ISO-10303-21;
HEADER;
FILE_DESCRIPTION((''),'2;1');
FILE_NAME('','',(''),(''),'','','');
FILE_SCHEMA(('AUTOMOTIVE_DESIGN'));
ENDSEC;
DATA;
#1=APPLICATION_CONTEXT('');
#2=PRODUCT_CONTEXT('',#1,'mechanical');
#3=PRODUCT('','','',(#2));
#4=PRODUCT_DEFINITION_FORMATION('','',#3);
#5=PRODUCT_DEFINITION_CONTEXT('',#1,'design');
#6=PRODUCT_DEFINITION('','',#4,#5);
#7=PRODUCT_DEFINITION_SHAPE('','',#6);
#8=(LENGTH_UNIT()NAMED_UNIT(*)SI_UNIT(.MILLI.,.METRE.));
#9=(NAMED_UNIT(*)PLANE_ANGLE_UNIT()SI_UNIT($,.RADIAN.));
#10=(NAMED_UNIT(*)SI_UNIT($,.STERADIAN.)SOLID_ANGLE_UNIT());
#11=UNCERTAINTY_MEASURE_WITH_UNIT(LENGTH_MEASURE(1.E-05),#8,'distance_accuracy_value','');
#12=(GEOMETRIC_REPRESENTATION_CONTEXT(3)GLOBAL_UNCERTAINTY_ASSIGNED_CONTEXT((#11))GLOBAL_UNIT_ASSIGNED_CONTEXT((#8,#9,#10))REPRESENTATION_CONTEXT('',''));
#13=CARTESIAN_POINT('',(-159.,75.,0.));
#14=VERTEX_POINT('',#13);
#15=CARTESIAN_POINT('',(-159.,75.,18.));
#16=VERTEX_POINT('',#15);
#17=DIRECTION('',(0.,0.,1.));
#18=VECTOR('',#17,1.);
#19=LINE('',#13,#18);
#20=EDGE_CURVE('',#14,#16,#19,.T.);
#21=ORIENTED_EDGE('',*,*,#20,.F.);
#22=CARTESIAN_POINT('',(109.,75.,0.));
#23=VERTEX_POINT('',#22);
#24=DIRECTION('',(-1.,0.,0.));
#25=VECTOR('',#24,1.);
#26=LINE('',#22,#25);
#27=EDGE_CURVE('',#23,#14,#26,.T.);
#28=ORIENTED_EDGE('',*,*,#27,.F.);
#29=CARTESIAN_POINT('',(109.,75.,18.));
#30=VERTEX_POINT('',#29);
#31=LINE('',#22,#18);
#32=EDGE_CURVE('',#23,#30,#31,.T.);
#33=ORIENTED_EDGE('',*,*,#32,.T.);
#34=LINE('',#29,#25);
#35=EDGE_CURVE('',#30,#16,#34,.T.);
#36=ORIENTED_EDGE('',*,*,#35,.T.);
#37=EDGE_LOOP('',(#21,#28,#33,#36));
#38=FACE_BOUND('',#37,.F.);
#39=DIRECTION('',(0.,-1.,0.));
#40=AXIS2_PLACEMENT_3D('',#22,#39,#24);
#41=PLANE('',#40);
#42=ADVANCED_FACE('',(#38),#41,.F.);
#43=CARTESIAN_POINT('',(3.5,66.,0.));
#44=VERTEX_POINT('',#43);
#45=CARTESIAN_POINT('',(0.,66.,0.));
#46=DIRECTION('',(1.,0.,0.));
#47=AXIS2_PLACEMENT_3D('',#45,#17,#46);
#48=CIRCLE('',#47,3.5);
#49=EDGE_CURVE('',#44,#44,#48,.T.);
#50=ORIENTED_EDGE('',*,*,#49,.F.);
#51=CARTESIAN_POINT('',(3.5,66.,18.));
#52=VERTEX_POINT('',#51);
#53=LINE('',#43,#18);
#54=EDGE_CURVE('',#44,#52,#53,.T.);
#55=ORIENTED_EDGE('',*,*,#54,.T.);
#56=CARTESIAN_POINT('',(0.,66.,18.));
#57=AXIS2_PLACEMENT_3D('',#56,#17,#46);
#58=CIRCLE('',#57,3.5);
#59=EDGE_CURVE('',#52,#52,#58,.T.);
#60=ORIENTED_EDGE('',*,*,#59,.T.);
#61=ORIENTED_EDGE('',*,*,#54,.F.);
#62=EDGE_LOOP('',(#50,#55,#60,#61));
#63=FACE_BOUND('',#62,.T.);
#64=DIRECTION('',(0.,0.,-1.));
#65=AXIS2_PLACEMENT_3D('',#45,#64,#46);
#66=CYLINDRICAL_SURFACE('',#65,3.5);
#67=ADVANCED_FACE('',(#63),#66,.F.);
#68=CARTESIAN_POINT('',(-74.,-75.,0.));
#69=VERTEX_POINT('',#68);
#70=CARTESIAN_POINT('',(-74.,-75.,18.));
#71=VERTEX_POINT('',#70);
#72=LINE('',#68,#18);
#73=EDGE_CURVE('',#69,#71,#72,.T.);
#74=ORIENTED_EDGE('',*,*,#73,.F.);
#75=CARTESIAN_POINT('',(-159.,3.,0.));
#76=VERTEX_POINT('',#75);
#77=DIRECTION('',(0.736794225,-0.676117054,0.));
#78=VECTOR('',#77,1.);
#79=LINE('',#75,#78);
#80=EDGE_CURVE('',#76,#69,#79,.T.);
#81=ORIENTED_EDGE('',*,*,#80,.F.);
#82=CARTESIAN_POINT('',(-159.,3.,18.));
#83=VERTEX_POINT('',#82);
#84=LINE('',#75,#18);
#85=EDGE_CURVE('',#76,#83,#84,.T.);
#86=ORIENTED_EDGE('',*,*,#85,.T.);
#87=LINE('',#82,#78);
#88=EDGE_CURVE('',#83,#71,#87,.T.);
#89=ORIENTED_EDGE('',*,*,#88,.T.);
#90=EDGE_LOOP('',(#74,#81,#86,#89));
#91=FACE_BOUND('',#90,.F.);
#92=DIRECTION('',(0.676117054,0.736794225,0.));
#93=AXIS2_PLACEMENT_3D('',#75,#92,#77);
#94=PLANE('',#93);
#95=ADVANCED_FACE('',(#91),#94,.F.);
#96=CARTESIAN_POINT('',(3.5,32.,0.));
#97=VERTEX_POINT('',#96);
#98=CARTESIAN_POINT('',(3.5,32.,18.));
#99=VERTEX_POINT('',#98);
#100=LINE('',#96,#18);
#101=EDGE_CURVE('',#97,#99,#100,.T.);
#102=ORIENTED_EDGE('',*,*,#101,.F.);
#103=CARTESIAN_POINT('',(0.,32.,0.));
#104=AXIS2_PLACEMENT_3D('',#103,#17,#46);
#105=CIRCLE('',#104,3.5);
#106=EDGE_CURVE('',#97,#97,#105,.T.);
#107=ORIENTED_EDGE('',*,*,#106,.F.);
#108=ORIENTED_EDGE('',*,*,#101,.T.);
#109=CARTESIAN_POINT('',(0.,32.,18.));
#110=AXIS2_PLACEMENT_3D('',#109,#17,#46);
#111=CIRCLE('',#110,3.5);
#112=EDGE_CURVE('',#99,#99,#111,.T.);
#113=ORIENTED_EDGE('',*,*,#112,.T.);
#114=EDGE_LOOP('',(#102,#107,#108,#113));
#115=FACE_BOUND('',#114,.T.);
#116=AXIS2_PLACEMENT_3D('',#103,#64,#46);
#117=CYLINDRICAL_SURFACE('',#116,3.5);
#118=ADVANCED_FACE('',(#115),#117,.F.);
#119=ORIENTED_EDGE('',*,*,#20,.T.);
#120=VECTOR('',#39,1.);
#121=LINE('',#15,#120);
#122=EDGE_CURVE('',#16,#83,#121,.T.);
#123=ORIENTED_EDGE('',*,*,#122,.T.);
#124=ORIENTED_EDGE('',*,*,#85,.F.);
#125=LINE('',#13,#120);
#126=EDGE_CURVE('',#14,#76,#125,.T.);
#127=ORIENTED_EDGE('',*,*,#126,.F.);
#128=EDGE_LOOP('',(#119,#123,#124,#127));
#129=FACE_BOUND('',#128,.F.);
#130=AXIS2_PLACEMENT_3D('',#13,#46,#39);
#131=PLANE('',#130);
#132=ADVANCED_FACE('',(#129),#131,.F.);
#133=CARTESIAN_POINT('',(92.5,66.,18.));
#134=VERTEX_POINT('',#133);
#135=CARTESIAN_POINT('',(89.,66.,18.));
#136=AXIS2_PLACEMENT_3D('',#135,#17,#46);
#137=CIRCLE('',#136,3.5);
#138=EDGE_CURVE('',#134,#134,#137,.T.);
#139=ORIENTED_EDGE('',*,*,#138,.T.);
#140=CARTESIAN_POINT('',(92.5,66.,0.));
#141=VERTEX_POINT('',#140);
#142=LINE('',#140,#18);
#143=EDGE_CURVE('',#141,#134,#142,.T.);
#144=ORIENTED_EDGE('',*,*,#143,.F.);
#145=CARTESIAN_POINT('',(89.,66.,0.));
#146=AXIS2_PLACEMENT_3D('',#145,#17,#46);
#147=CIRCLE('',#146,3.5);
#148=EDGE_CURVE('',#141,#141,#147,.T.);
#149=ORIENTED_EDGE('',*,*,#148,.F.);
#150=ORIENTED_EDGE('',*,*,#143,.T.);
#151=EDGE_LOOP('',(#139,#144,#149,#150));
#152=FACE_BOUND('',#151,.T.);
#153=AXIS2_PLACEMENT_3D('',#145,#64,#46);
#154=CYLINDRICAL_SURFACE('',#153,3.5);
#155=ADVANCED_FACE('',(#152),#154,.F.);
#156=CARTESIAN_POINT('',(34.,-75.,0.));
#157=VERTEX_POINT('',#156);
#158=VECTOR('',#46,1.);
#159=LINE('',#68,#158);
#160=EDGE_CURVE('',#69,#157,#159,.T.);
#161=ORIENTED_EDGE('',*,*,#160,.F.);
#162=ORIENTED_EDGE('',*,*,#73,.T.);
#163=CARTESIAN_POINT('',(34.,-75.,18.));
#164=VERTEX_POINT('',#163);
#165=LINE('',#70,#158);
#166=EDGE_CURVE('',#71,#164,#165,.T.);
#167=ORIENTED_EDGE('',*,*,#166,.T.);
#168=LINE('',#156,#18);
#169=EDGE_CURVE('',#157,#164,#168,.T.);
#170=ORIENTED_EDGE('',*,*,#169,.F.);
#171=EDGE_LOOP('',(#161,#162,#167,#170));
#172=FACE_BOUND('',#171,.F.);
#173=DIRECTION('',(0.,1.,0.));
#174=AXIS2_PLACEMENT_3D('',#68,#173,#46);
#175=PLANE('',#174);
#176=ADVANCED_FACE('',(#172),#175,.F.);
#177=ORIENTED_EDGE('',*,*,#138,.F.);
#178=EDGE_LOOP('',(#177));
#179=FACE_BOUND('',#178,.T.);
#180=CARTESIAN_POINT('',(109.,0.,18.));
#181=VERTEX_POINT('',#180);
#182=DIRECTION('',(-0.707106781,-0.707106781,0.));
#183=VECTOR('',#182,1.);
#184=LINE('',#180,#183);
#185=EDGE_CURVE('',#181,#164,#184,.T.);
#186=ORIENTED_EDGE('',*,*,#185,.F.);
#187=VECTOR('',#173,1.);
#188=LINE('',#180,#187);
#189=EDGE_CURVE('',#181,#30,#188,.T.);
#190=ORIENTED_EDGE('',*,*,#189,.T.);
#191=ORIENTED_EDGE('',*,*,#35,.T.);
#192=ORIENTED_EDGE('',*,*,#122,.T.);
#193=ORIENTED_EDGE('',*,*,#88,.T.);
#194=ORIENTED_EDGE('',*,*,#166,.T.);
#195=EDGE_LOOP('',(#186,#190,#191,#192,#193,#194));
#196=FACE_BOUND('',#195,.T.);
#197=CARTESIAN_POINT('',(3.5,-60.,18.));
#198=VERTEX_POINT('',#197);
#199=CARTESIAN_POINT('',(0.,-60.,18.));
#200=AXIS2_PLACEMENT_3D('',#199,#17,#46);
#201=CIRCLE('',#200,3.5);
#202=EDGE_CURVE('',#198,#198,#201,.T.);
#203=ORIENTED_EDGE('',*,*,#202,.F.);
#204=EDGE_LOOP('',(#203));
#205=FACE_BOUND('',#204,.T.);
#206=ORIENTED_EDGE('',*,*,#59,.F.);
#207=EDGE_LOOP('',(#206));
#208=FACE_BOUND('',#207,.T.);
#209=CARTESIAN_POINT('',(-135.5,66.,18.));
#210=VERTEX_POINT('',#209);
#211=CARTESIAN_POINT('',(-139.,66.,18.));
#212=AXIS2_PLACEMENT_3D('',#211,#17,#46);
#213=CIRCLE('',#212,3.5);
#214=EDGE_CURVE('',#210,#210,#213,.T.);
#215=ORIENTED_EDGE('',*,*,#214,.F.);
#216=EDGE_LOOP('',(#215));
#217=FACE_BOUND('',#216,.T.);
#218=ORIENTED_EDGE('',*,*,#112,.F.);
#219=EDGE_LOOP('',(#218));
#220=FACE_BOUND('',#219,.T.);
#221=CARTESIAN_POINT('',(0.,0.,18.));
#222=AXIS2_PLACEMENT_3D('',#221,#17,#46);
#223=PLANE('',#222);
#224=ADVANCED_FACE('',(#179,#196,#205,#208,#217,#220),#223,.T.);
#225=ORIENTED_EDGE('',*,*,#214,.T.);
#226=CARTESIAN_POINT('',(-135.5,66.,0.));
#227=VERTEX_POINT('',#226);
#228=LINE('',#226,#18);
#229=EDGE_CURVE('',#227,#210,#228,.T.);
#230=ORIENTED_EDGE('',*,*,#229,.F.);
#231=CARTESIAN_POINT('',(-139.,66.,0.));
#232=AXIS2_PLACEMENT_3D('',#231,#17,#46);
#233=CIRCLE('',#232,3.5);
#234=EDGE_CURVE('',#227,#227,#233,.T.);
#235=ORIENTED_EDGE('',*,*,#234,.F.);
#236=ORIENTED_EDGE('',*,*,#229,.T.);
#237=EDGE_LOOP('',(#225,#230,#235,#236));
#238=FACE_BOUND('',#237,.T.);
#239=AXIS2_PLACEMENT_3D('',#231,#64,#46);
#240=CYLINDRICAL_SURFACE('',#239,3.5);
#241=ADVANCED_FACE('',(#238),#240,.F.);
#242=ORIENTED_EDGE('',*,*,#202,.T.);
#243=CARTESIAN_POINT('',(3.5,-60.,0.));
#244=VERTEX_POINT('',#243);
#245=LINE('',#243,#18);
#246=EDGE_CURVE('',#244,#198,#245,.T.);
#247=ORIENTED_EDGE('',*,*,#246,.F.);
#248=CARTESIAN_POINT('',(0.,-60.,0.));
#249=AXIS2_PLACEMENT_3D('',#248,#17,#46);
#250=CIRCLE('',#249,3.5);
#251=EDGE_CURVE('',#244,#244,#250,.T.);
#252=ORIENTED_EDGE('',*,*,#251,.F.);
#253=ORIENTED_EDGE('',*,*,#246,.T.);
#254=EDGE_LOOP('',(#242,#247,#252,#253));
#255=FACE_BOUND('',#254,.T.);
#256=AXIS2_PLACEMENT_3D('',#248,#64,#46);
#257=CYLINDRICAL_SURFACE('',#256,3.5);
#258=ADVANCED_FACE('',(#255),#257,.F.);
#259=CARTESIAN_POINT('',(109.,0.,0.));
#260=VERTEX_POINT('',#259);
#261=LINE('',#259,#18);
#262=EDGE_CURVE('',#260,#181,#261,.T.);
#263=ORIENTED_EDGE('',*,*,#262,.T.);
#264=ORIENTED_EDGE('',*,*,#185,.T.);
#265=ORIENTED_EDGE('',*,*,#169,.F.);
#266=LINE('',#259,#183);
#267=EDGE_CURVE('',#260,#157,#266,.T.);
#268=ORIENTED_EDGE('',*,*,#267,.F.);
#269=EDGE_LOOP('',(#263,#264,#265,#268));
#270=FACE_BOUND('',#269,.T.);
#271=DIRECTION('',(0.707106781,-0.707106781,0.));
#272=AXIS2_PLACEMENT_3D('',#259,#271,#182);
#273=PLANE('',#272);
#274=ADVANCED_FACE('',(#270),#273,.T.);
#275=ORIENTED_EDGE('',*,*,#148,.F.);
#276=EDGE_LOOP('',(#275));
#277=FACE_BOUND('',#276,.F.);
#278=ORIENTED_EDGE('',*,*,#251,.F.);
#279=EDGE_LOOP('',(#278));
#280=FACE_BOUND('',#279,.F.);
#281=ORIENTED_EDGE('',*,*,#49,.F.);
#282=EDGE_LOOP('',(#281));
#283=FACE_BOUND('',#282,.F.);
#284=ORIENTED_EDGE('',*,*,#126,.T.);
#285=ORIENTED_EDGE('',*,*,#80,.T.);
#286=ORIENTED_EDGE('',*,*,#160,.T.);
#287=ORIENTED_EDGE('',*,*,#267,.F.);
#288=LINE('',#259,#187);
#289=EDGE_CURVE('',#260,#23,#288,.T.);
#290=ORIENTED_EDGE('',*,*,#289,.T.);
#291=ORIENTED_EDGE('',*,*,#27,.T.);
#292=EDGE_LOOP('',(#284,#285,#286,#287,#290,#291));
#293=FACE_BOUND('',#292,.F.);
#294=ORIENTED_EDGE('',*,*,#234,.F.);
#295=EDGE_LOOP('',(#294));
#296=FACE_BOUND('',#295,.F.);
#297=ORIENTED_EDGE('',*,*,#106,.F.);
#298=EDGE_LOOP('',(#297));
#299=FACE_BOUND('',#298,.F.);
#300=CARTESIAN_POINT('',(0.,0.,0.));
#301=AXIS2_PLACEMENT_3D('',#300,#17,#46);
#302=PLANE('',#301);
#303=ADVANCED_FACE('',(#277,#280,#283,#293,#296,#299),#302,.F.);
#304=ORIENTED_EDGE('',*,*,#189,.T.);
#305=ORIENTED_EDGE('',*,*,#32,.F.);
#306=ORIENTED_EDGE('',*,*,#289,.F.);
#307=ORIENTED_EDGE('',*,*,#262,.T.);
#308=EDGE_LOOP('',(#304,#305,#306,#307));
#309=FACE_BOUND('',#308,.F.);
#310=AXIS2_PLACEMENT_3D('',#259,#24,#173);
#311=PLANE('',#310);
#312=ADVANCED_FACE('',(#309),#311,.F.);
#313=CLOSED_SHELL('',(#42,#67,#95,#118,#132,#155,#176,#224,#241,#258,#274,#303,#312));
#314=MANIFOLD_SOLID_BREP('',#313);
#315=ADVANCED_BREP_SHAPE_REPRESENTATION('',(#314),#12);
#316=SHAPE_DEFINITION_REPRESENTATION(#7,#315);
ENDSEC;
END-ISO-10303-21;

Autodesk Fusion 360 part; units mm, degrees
sketch "Top" plane through (0, 0, 0) normal (0, 0, 1) x (1, 0, 0)
  line L0 (109, 75) -> (-159, 75)
  line L1 (-159, 75) -> (-159, 3)
  line L2 (-74, -75) -> (34, -75)
  line L3 (109, 0) -> (109, 75)
  line L4 (109, 0) -> (34, -75)
  line L5 (-159, 3) -> (-74, -75)
  line L6 (-159, 66) -> (109, 66) construction
  line L7 (0, 75) -> (0, -75) construction
  circle A0 centre (0, 66) radius 3.5
  circle A1 centre (0, 32) radius 3.5
  circle A2 centre (0, -60) radius 3.5
  circle A3 centre (89, 66) radius 3.5
  circle A4 centre (-139, 66) radius 3.5
  dimension "d3" = 75
  dimension "d5" = 75
  dimension "d6" = 85
  dimension "d7" = 78
  dimension "d9" = 159
  dimension "d11" = 268
  dimension "d12" = 9
  dimension "d13" = 109
  dimension "d14" = 7
  dimension "d15" = 7
  dimension "d16" = 7
  dimension "d17" = 34
  dimension "d18" = 92
  dimension "d19" = 7
  dimension "d20" = 7
  dimension "d21" = 89
  dimension "d22" = 139
  dimension "d23" = 150
extrude "Extrude1" add sketch "Top" along normal blind 18
